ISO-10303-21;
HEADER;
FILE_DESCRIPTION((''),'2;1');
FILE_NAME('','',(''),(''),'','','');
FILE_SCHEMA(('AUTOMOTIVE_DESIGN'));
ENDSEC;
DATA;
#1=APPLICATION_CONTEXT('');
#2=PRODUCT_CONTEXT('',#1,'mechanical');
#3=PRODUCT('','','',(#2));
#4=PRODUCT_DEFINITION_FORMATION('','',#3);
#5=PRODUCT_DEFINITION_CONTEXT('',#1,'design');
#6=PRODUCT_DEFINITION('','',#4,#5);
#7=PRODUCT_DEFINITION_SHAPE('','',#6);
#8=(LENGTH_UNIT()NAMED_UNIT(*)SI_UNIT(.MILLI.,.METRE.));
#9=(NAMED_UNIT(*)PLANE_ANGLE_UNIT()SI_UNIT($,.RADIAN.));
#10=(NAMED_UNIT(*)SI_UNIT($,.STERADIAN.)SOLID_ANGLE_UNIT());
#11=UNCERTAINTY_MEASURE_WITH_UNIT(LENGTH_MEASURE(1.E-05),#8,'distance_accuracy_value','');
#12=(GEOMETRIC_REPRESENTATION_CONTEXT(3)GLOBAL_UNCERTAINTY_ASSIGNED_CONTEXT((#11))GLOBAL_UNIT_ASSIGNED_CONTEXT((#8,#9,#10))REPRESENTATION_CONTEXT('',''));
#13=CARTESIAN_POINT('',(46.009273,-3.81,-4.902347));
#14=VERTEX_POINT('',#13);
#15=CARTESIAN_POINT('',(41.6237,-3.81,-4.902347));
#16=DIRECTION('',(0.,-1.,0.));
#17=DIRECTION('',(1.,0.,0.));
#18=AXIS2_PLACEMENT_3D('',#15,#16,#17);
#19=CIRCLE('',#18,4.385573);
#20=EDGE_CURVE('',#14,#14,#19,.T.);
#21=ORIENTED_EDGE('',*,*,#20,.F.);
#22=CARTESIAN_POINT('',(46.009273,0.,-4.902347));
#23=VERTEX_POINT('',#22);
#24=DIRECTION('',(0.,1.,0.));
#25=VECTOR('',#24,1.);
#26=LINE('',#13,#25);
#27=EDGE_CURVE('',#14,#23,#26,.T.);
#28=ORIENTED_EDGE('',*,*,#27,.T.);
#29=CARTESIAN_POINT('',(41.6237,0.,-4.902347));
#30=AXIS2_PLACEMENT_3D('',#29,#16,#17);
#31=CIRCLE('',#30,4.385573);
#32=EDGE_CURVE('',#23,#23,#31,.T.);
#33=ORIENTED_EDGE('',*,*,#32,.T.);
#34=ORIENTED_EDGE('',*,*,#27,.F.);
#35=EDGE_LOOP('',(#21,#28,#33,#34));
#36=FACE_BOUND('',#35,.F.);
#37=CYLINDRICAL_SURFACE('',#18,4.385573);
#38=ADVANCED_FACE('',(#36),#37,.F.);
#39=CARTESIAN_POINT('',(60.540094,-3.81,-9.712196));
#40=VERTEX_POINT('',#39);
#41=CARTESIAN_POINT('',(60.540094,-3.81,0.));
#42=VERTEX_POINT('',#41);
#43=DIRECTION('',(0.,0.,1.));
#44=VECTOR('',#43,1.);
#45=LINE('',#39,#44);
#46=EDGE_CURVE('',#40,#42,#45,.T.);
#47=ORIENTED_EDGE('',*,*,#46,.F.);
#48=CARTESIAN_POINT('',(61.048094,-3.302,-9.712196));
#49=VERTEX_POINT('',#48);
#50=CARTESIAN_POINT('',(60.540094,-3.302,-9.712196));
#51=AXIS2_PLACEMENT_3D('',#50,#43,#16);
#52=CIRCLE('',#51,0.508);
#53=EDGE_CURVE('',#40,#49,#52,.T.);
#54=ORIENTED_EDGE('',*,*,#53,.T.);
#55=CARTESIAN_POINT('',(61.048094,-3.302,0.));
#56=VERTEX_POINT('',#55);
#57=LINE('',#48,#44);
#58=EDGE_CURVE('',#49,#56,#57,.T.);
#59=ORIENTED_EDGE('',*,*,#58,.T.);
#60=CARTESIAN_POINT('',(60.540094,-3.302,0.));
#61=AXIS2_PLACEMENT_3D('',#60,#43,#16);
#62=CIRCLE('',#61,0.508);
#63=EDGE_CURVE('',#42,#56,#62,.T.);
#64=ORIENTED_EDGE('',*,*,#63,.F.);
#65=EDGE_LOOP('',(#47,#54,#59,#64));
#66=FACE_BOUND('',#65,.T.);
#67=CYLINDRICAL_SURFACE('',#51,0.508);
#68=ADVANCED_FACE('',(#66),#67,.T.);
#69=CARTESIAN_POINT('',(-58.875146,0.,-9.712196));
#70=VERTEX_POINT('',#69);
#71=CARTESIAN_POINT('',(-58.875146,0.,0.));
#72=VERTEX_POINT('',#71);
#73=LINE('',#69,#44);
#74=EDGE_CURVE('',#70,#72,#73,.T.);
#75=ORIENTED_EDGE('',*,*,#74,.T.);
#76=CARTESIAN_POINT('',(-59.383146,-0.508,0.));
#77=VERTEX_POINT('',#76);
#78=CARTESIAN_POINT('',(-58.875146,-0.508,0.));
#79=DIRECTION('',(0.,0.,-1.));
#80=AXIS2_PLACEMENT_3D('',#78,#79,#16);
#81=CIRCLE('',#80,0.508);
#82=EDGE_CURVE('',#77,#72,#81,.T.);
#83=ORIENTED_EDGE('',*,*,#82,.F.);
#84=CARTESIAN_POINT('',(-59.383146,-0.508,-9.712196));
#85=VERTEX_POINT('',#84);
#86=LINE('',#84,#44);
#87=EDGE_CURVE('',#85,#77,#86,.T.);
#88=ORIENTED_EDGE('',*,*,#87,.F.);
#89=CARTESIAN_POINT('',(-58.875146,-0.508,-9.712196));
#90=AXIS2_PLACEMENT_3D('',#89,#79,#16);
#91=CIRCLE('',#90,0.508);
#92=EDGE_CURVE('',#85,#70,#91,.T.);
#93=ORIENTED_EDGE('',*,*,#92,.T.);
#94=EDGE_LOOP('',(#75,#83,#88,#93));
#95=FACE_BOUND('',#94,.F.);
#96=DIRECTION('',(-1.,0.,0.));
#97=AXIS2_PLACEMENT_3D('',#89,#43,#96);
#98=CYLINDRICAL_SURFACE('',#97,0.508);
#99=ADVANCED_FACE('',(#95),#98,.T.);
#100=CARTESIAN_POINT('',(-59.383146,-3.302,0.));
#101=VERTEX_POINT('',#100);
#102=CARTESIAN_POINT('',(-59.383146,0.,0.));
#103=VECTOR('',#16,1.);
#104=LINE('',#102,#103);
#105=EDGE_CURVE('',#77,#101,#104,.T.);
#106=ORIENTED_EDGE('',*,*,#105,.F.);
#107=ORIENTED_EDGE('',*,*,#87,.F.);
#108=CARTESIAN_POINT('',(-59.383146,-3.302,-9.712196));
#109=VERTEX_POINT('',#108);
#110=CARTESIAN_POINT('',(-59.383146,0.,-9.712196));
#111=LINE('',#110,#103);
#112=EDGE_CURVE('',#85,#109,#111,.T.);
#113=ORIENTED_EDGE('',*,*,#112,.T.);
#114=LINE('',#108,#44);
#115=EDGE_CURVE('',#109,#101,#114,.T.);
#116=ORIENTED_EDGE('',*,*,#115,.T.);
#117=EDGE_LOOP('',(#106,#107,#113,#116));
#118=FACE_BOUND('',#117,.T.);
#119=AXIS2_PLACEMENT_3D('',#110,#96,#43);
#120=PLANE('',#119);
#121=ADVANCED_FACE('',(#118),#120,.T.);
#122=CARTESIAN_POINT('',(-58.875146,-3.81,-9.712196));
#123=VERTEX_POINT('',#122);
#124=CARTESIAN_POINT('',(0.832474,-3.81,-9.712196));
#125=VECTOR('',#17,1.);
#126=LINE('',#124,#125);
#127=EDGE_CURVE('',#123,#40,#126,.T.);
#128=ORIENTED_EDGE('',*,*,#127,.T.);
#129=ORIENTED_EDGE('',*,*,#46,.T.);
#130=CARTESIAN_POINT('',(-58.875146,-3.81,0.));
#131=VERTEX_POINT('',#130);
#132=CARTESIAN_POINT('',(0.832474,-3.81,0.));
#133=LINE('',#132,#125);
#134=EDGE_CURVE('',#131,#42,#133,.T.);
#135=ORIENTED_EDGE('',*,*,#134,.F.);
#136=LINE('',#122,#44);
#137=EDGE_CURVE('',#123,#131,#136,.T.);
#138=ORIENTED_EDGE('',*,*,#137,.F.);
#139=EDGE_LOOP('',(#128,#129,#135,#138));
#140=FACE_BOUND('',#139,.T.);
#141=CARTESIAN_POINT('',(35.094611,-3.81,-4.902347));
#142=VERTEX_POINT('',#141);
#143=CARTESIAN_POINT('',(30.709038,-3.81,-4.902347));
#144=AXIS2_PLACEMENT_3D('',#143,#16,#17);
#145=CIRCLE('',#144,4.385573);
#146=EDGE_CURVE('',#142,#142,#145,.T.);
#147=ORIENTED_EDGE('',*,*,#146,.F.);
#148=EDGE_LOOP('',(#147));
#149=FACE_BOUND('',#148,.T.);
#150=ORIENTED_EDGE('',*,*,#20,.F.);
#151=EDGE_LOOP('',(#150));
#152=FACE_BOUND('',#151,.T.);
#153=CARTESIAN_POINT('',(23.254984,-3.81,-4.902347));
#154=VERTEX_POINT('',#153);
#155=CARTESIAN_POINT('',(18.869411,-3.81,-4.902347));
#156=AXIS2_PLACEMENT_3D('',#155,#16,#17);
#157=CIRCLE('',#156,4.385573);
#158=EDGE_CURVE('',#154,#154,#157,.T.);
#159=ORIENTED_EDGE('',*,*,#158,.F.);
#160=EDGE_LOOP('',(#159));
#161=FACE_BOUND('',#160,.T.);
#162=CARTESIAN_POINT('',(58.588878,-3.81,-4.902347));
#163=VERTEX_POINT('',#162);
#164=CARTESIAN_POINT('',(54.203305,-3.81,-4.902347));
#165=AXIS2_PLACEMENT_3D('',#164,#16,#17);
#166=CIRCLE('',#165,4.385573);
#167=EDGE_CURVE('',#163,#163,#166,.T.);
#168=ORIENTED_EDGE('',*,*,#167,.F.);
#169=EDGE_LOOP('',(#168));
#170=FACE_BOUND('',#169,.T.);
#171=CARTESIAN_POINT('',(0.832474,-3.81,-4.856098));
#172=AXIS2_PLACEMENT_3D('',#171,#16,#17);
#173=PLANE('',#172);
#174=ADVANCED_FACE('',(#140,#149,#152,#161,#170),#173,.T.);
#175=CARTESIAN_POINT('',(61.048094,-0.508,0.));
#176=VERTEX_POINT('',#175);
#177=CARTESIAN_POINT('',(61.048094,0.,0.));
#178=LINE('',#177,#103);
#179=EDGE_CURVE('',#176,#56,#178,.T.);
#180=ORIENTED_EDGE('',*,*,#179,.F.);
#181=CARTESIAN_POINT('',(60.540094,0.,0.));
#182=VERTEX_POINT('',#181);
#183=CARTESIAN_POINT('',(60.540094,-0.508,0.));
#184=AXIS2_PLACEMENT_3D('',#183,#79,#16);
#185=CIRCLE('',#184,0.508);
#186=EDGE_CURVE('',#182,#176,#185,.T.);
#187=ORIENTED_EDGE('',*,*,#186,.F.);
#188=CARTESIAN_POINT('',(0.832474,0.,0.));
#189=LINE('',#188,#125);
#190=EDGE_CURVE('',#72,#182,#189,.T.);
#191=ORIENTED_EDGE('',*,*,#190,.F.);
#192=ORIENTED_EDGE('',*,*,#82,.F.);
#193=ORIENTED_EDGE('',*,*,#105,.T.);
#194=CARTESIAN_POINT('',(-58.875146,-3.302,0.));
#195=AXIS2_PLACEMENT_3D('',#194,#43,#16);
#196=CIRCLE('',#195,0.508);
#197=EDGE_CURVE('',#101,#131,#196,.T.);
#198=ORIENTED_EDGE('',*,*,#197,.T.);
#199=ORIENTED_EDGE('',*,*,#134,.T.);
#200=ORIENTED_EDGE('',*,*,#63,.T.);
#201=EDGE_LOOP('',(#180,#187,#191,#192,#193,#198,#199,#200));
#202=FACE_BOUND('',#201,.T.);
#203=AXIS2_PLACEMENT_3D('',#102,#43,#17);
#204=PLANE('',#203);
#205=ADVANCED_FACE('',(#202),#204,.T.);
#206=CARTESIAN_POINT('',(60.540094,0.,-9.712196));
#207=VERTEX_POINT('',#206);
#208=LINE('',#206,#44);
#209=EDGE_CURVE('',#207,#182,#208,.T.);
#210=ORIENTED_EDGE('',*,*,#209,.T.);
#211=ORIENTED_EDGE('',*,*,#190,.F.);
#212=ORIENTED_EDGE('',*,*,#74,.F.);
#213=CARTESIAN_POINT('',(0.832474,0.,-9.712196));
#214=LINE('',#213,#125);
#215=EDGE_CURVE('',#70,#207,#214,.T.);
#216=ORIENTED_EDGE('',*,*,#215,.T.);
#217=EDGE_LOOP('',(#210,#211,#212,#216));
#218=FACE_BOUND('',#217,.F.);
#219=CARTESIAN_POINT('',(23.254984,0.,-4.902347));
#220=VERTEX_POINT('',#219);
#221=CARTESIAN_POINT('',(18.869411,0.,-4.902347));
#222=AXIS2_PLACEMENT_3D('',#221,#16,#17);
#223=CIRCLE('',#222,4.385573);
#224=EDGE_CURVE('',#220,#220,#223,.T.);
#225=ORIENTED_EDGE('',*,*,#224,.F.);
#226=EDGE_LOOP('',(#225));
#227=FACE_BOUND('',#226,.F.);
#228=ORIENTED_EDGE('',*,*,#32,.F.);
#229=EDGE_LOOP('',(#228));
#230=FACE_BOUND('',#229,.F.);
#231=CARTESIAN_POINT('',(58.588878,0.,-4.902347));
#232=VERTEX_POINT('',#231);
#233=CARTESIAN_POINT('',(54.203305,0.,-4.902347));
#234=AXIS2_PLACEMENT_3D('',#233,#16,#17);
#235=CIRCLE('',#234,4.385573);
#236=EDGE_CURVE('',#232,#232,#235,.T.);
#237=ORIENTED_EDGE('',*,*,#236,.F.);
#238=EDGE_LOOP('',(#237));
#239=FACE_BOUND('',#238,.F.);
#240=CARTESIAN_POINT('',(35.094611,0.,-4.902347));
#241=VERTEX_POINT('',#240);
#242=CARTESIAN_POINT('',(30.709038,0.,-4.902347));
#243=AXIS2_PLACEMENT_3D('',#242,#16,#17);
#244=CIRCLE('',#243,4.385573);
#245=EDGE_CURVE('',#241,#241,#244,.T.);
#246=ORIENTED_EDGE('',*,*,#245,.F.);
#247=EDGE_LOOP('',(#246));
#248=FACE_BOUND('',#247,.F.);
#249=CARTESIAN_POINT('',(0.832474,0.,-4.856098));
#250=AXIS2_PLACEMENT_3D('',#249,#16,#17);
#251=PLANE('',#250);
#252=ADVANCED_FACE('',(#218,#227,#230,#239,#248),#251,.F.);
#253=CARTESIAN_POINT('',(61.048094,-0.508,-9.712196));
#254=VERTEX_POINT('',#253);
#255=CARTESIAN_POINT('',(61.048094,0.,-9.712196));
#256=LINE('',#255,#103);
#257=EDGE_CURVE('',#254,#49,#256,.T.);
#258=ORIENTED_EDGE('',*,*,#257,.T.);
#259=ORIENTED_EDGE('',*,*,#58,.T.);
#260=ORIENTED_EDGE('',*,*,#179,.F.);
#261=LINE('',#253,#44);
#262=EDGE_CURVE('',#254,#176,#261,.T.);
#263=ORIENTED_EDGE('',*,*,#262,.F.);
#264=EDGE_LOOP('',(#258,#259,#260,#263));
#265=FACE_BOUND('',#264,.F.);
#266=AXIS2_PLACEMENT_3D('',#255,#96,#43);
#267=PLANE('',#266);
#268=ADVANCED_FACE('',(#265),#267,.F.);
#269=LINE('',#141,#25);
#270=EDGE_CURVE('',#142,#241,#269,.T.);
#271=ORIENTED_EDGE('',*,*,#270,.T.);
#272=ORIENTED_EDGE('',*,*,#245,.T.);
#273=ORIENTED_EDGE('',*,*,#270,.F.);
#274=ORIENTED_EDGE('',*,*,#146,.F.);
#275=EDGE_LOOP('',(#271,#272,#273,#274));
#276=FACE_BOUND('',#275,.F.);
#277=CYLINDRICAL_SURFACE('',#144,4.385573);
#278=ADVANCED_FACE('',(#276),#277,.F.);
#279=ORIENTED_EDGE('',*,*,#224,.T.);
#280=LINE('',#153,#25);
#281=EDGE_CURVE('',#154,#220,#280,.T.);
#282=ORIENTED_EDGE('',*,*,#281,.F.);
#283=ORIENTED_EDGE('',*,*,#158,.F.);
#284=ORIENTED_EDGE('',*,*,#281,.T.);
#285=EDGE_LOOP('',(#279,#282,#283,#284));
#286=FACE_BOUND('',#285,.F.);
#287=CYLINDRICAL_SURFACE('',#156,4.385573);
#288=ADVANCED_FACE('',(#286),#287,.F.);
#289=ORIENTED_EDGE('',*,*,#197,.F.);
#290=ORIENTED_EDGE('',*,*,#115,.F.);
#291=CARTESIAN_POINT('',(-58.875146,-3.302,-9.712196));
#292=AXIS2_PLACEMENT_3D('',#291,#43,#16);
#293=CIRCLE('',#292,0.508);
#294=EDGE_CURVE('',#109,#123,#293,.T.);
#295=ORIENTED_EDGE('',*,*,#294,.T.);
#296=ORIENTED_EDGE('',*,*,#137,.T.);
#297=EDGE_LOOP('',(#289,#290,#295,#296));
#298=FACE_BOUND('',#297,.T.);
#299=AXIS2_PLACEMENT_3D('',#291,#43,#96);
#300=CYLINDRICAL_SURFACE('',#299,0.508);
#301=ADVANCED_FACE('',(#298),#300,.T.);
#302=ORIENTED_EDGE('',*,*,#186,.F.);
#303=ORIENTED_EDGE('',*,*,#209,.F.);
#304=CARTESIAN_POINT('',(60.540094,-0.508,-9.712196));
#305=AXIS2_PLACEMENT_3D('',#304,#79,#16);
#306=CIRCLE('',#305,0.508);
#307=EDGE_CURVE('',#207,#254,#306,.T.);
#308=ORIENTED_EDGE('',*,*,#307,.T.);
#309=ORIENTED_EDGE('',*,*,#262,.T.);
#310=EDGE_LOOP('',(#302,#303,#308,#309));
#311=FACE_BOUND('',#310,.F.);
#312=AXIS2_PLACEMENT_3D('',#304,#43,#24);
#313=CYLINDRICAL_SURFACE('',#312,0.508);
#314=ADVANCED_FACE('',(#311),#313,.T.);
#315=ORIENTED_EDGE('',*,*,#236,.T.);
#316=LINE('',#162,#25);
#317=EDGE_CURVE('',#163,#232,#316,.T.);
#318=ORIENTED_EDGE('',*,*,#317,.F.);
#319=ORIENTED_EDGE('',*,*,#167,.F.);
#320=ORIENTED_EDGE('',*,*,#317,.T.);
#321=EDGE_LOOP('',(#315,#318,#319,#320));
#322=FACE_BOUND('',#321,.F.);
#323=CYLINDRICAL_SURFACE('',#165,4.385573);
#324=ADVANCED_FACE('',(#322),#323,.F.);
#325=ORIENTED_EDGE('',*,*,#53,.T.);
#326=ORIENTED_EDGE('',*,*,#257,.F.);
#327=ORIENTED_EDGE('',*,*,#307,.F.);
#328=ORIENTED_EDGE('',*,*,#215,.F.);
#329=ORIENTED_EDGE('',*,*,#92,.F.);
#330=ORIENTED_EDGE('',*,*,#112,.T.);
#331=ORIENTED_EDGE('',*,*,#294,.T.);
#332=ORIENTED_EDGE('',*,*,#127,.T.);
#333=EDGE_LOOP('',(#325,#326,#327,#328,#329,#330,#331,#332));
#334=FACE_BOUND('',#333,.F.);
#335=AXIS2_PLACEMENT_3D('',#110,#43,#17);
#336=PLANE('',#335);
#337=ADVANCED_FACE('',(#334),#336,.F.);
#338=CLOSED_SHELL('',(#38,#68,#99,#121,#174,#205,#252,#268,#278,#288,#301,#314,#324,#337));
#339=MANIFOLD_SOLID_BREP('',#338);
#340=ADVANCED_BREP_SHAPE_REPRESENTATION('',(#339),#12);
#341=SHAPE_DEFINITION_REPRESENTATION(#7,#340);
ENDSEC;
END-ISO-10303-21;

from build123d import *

# Parameters (mm, degrees)
F0_W     = 120.43124
F0_H     = 9.712197
F1_DEPTH = 3.81
F2_R     = 4.385573
F3_DEPTH = 38.1
F4_R     = 0.508


with BuildPart() as f1:
    # F0 (on Front) → F1 (new body)
    with BuildSketch(Plane.XZ):
        with Locations((0.832474, -4.856098)):
            Rectangle(F0_W, F0_H)
    extrude(amount=F1_DEPTH)

    # F2 (on face) → F3 (cut)
    with BuildSketch(Plane.XZ.offset(3.81)):
        with Locations((18.869411, -4.902347)):
            Circle(F2_R)
        with Locations((30.709038, -4.902347)):
            Circle(F2_R)
        with Locations((41.6237, -4.902347)):
            Circle(F2_R)
        with Locations((54.203305, -4.902347)):
            Circle(F2_R)
    extrude(amount=-F3_DEPTH, mode=Mode.SUBTRACT)

    # F4
    f4_edges = [f1.edges().sort_by_distance(p)[0] for p in [
        (-59.383146, -3.81, -4.856098),
        (-59.383146, 0, -4.856098),
        (61.048094, 0, -4.856098),
        (61.048094, -3.81, -4.856098),
    ]]
    fillet(f4_edges, radius=F4_R)


solid = f1.part
